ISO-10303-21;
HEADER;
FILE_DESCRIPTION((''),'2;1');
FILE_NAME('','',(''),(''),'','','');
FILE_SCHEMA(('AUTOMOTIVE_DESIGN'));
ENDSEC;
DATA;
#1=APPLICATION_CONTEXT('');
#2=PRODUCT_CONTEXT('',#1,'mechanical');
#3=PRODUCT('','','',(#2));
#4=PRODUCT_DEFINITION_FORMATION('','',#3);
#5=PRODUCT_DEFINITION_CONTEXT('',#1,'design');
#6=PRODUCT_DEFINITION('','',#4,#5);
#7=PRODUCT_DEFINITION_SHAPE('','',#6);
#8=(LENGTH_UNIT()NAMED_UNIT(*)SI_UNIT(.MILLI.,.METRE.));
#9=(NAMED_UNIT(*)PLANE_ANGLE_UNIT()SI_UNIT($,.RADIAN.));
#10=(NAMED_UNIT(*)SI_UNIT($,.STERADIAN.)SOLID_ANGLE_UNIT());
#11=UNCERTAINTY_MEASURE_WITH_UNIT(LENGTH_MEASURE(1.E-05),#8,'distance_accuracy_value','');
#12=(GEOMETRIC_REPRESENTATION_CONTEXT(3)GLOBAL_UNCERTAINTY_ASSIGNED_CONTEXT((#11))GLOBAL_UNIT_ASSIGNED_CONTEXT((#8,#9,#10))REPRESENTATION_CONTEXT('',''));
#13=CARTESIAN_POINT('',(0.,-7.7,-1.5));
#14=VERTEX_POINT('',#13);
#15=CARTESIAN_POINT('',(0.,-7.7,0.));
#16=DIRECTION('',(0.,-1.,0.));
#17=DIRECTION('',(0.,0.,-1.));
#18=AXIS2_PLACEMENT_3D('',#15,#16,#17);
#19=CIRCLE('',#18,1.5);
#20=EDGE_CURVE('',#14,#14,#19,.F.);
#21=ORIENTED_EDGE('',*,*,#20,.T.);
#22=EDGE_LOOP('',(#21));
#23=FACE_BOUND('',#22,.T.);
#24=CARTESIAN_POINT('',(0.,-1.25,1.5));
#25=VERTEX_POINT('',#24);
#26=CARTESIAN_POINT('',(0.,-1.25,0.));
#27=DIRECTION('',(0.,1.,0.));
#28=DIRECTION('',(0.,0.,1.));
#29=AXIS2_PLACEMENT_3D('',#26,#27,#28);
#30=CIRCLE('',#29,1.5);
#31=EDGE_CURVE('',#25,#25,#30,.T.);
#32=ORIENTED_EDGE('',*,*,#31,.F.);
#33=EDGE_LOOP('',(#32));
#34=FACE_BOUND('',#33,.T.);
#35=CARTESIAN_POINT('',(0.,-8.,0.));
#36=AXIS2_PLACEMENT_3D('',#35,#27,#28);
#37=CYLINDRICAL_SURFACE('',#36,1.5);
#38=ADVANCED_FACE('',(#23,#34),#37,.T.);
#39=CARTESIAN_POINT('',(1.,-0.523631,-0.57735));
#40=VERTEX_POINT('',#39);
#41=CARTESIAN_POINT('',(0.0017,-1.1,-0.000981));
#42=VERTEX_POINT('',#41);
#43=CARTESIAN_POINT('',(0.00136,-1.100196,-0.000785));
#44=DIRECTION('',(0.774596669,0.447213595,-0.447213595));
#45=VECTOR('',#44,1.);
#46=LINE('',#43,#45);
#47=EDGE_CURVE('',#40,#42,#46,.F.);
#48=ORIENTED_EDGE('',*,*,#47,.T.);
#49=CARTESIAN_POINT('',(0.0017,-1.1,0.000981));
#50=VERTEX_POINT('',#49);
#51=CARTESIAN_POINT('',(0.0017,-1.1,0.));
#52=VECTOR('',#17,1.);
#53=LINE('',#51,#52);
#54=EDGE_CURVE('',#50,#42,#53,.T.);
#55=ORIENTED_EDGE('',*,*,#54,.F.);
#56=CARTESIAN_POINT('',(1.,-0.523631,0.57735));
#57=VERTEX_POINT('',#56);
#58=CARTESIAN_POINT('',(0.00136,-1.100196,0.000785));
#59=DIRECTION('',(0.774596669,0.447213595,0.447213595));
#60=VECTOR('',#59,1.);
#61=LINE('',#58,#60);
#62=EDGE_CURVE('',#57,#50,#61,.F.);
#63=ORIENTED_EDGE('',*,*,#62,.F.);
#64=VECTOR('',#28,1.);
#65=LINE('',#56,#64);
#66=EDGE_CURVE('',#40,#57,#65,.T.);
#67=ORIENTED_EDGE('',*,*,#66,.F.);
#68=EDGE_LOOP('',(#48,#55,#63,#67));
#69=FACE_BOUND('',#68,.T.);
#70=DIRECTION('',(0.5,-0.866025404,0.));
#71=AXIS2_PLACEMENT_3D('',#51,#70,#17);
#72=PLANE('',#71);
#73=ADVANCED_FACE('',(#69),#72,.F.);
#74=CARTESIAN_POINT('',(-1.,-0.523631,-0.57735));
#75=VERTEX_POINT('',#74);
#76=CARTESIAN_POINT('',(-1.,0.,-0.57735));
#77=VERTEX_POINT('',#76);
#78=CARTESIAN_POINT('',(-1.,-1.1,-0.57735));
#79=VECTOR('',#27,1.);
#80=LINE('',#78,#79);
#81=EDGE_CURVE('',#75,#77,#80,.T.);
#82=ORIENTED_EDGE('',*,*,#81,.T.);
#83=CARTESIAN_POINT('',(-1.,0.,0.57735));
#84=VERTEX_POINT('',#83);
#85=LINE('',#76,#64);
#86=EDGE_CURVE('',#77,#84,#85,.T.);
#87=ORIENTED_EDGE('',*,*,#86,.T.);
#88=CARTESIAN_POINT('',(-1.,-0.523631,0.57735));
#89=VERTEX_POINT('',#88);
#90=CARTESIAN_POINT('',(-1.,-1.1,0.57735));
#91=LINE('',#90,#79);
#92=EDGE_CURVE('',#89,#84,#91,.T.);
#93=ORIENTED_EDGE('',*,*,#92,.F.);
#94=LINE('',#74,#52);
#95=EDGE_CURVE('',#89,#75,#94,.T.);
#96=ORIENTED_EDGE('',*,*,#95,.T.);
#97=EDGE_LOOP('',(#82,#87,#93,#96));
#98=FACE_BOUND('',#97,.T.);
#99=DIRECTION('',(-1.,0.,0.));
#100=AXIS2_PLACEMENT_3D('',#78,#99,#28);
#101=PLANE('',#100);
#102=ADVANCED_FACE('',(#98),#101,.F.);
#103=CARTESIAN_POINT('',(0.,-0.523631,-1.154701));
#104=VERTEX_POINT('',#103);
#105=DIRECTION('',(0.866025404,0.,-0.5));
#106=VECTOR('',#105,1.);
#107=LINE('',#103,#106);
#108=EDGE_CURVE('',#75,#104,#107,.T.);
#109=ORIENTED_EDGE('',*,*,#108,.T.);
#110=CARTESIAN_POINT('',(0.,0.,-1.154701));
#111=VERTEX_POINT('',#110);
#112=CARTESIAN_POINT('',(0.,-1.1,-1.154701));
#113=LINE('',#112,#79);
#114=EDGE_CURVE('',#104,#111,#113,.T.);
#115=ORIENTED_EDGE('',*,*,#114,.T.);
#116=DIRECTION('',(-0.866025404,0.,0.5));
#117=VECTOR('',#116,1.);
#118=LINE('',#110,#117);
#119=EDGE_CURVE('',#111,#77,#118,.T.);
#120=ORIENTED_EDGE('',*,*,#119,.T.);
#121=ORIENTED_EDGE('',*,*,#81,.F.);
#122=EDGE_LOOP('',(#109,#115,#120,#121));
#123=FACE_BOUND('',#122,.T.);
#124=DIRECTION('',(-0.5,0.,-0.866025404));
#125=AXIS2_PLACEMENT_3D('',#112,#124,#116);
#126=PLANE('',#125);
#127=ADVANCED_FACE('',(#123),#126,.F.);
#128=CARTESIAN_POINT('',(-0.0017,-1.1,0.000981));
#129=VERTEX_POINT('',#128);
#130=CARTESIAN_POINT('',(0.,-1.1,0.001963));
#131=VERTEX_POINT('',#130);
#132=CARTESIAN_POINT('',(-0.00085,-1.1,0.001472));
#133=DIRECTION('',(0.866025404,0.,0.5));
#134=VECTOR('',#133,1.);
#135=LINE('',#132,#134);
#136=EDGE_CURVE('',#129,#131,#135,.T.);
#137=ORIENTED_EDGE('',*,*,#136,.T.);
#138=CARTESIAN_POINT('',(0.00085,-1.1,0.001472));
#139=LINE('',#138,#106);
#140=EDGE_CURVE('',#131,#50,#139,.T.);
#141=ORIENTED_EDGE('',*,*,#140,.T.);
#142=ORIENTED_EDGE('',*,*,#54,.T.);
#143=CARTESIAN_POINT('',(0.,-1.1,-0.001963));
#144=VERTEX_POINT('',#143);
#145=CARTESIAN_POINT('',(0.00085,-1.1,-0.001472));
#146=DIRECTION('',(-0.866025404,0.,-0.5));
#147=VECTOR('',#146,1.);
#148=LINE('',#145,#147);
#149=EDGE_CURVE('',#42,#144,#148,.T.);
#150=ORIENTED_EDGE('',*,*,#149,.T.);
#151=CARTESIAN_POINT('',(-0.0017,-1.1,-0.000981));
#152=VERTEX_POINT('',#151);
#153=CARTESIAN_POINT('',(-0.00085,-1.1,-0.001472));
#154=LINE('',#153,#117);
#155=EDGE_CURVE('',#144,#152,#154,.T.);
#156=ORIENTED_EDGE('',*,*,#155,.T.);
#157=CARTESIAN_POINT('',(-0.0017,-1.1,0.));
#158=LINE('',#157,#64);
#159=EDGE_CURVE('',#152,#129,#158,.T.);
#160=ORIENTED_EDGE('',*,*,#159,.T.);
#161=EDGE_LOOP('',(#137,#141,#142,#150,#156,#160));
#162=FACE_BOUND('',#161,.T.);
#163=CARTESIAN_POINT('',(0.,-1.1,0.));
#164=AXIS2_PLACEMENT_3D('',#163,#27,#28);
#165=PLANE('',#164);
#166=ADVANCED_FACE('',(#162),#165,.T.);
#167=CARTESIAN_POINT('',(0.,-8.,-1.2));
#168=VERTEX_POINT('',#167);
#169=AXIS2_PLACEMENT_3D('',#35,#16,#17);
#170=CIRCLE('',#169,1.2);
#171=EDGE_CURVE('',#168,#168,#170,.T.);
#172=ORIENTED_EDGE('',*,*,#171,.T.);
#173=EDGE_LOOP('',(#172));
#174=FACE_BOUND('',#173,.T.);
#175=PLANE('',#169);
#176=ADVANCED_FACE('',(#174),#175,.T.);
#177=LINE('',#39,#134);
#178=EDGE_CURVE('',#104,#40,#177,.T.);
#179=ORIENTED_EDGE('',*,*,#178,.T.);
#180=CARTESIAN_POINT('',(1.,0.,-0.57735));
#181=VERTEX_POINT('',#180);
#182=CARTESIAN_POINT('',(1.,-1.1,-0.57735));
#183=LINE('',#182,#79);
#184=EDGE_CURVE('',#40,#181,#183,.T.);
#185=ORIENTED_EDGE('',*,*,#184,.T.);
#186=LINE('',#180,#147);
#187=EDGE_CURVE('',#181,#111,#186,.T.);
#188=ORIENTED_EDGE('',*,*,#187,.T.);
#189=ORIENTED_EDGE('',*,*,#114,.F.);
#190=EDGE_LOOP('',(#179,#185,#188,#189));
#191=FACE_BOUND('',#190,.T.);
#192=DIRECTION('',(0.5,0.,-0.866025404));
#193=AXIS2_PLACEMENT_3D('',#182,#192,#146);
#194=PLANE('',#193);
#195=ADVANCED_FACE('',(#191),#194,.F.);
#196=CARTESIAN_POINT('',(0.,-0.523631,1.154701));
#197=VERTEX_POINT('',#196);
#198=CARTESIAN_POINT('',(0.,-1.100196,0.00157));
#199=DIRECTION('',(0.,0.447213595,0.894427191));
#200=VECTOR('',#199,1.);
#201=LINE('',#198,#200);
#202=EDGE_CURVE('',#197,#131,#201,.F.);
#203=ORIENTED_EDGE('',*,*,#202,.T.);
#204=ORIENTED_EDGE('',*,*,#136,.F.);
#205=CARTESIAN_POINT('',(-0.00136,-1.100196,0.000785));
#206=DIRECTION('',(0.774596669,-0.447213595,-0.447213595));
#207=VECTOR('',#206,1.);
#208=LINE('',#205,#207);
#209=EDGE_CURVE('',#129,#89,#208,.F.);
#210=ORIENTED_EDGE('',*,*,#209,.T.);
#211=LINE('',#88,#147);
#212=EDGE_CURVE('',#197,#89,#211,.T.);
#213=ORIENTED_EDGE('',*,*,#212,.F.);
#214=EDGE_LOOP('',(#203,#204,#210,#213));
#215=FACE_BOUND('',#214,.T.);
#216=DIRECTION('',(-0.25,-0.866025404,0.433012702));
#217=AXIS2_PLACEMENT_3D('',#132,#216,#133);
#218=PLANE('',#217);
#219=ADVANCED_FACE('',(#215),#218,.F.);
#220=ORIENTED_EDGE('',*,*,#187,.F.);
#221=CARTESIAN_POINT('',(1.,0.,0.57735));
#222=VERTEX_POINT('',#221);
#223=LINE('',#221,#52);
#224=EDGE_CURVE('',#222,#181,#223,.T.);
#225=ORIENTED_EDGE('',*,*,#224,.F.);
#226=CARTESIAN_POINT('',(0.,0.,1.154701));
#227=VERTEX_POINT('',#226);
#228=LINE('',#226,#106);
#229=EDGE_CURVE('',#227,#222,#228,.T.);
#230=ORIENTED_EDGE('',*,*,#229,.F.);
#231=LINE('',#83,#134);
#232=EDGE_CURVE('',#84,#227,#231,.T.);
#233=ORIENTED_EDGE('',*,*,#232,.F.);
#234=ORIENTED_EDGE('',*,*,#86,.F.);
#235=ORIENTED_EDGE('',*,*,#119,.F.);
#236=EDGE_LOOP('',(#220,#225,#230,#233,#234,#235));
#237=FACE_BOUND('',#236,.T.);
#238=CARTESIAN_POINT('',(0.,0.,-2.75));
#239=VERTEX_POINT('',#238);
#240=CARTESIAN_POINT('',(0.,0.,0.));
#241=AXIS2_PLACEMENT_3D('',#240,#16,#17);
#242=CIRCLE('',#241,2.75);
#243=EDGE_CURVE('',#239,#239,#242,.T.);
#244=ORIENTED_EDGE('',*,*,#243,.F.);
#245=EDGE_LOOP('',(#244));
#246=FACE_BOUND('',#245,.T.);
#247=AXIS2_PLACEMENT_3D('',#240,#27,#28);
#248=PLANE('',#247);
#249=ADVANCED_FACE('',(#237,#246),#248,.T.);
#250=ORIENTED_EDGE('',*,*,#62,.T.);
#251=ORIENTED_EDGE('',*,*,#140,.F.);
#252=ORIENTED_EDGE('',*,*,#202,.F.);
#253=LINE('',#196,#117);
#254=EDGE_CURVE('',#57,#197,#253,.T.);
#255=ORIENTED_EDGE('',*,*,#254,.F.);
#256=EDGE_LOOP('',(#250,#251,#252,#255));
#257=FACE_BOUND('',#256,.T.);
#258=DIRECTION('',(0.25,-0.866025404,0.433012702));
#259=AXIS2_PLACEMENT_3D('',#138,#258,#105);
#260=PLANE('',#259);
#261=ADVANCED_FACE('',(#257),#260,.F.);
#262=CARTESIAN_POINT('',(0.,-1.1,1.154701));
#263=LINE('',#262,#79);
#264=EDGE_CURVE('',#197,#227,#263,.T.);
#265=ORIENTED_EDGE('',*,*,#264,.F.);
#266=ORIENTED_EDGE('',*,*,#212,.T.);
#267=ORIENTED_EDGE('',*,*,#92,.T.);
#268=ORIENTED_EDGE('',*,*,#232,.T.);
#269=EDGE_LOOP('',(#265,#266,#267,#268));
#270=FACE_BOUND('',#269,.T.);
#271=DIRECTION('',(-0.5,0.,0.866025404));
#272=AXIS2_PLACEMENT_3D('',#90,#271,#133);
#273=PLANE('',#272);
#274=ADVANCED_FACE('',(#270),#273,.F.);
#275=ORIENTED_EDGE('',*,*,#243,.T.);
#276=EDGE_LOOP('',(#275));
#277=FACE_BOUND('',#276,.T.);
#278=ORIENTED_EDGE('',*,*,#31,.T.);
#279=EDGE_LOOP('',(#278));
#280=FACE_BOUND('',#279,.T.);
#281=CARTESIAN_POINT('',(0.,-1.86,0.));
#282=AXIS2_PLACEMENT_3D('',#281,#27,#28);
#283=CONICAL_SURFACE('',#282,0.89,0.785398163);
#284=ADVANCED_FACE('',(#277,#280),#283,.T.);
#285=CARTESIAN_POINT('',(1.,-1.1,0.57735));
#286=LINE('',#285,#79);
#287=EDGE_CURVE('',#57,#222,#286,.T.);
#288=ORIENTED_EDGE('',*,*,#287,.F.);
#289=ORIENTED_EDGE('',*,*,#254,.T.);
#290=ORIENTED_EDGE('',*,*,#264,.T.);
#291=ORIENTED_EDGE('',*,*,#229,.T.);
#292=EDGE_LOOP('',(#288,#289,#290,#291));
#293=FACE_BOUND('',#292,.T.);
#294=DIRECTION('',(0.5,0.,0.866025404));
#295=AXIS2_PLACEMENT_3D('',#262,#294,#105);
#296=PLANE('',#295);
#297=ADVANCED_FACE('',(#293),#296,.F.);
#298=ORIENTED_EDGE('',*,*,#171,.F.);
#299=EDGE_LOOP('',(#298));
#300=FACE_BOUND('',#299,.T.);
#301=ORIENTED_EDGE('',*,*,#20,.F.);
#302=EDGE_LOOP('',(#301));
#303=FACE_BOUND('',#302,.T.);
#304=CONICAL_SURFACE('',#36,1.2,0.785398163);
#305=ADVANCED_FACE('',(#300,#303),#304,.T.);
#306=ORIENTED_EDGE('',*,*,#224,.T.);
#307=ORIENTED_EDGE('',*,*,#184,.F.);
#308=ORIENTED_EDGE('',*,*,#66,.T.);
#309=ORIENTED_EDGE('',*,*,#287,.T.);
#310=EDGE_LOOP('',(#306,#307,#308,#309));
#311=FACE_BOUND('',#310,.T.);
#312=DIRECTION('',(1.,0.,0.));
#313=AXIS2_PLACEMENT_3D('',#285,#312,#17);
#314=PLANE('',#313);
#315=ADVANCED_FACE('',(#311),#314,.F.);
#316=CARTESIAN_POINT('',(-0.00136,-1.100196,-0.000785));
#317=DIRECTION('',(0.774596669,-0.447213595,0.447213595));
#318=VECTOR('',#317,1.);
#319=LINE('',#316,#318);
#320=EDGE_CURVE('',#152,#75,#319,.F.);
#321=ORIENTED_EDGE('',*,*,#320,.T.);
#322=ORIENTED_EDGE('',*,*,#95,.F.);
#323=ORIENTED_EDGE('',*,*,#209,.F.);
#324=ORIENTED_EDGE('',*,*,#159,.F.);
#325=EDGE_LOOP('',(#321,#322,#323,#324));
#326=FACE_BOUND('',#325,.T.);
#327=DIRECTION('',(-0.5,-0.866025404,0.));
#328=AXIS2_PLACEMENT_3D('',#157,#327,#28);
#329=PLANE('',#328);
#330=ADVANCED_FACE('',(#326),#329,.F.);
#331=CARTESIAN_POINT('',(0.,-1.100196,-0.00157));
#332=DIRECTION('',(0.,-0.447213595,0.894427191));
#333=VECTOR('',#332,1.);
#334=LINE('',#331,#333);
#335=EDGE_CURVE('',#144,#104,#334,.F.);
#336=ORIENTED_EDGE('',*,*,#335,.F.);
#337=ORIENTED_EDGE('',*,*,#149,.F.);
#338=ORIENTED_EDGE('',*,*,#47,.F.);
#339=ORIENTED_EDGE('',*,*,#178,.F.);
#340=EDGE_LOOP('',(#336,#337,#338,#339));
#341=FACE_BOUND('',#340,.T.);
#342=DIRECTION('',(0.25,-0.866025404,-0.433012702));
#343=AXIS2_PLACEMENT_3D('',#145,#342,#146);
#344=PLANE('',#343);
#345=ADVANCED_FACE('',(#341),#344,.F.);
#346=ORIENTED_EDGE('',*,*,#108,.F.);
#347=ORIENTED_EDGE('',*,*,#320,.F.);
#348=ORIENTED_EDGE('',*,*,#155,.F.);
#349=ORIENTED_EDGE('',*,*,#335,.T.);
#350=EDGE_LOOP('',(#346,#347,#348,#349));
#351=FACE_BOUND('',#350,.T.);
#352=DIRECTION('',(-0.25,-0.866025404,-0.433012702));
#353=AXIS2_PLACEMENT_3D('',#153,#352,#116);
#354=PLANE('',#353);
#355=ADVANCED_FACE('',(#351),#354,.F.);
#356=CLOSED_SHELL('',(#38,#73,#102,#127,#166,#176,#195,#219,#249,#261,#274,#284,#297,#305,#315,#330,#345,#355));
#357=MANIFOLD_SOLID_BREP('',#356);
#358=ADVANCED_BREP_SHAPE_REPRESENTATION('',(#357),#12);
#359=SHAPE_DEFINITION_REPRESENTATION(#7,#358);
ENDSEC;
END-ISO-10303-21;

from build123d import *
from OCP.BRepFilletAPI import BRepFilletAPI_MakeChamfer

# Parameters (mm, degrees)
SKETCH_4_R          = 1.5
EXTRUDE_2_DEPTH     = 8
CUT_EXTRUDE_1_DEPTH = 1.1
CHAMFER_3_SIZE      = 0.576368876
CHAMFER_3_SIZE2     = 0.998300177
CHAMFER_4_SIZE      = 0.3


with BuildPart() as part:
    # 草图2 → 旋转1 (revolve)
    with BuildSketch(Plane.XY):
        Polygon((0, -1.86), (0, 0), (2.75, 0), (0.89, -1.86), align=None)
    revolve(axis=Axis((0, -1.86, 0), (0, 1, 0)))

    # 草图4 → 凸台-拉伸2 (add)
    with BuildSketch(Plane.XZ):
        Circle(SKETCH_4_R)
    extrude(amount=EXTRUDE_2_DEPTH)

    # 草图3 → 切除-拉伸1 (cut)
    with BuildSketch(Plane(origin=(0, 0, 0), x_dir=(1, 0, 0), z_dir=(0, 1, 0))):
        Polygon((1, 0.577350269), (0, 1.154700538), (-1, 0.577350269), (-1, -0.577350269), (0, -1.154700538), (1, -0.577350269), align=None)
    extrude(amount=-CUT_EXTRUDE_1_DEPTH, mode=Mode.SUBTRACT)

    # 倒角3: one chamfer whose edges measure the first distance from different faces: ONE call of the kernel's chamfer builder (chamfer() names one face for all edges)
    chamfer_3_edges_1 = [part.edges().sort_by_distance(p)[0] for p in [
        (-0.5, -1.1, 0.866025404),
    ]]
    chamfer_3_side_1 = [part.faces().sort_by_distance(p)[0] for p in [
        (-0.5, -0.55, 0.866025404),
    ]]
    chamfer_3_edges_2 = [part.edges().sort_by_distance(p)[0] for p in [
        (-1, -1.1, 0),
    ]]
    chamfer_3_side_2 = [part.faces().sort_by_distance(p)[0] for p in [
        (-1, -0.55, 0),
    ]]
    chamfer_3_edges_3 = [part.edges().sort_by_distance(p)[0] for p in [
        (-0.5, -1.1, -0.866025404),
    ]]
    chamfer_3_side_3 = [part.faces().sort_by_distance(p)[0] for p in [
        (-0.5, -0.55, -0.866025404),
    ]]
    chamfer_3_edges_4 = [part.edges().sort_by_distance(p)[0] for p in [
        (0.5, -1.1, -0.866025404),
    ]]
    chamfer_3_side_4 = [part.faces().sort_by_distance(p)[0] for p in [
        (0.5, -0.55, -0.866025404),
    ]]
    chamfer_3_edges_5 = [part.edges().sort_by_distance(p)[0] for p in [
        (1, -1.1, 0),
    ]]
    chamfer_3_side_5 = [part.faces().sort_by_distance(p)[0] for p in [
        (1, -0.55, 0),
    ]]
    chamfer_3_edges_6 = [part.edges().sort_by_distance(p)[0] for p in [
        (0.5, -1.1, 0.866025404),
    ]]
    chamfer_3_side_6 = [part.faces().sort_by_distance(p)[0] for p in [
        (0.5, -0.55, 0.866025404),
    ]]
    chamfer_3 = BRepFilletAPI_MakeChamfer(part.part.solid().wrapped)
    for e in chamfer_3_edges_1:
        chamfer_3.Add(CHAMFER_3_SIZE, CHAMFER_3_SIZE2, e.wrapped, chamfer_3_side_1[0].wrapped)  # the first distance lies on this face
    for e in chamfer_3_edges_2:
        chamfer_3.Add(CHAMFER_3_SIZE, CHAMFER_3_SIZE2, e.wrapped, chamfer_3_side_2[0].wrapped)  # the first distance lies on this face
    for e in chamfer_3_edges_3:
        chamfer_3.Add(CHAMFER_3_SIZE, CHAMFER_3_SIZE2, e.wrapped, chamfer_3_side_3[0].wrapped)  # the first distance lies on this face
    for e in chamfer_3_edges_4:
        chamfer_3.Add(CHAMFER_3_SIZE, CHAMFER_3_SIZE2, e.wrapped, chamfer_3_side_4[0].wrapped)  # the first distance lies on this face
    for e in chamfer_3_edges_5:
        chamfer_3.Add(CHAMFER_3_SIZE, CHAMFER_3_SIZE2, e.wrapped, chamfer_3_side_5[0].wrapped)  # the first distance lies on this face
    for e in chamfer_3_edges_6:
        chamfer_3.Add(CHAMFER_3_SIZE, CHAMFER_3_SIZE2, e.wrapped, chamfer_3_side_6[0].wrapped)  # the first distance lies on this face
    add(Compound.cast(chamfer_3.Shape()), mode=Mode.REPLACE)

    # 倒角4
    chamfer_4_edges = [part.edges().sort_by_distance(p)[0] for p in [
        (-1.5, -8, 0),
    ]]
    chamfer(chamfer_4_edges, length=CHAMFER_4_SIZE)


solid = part.part
